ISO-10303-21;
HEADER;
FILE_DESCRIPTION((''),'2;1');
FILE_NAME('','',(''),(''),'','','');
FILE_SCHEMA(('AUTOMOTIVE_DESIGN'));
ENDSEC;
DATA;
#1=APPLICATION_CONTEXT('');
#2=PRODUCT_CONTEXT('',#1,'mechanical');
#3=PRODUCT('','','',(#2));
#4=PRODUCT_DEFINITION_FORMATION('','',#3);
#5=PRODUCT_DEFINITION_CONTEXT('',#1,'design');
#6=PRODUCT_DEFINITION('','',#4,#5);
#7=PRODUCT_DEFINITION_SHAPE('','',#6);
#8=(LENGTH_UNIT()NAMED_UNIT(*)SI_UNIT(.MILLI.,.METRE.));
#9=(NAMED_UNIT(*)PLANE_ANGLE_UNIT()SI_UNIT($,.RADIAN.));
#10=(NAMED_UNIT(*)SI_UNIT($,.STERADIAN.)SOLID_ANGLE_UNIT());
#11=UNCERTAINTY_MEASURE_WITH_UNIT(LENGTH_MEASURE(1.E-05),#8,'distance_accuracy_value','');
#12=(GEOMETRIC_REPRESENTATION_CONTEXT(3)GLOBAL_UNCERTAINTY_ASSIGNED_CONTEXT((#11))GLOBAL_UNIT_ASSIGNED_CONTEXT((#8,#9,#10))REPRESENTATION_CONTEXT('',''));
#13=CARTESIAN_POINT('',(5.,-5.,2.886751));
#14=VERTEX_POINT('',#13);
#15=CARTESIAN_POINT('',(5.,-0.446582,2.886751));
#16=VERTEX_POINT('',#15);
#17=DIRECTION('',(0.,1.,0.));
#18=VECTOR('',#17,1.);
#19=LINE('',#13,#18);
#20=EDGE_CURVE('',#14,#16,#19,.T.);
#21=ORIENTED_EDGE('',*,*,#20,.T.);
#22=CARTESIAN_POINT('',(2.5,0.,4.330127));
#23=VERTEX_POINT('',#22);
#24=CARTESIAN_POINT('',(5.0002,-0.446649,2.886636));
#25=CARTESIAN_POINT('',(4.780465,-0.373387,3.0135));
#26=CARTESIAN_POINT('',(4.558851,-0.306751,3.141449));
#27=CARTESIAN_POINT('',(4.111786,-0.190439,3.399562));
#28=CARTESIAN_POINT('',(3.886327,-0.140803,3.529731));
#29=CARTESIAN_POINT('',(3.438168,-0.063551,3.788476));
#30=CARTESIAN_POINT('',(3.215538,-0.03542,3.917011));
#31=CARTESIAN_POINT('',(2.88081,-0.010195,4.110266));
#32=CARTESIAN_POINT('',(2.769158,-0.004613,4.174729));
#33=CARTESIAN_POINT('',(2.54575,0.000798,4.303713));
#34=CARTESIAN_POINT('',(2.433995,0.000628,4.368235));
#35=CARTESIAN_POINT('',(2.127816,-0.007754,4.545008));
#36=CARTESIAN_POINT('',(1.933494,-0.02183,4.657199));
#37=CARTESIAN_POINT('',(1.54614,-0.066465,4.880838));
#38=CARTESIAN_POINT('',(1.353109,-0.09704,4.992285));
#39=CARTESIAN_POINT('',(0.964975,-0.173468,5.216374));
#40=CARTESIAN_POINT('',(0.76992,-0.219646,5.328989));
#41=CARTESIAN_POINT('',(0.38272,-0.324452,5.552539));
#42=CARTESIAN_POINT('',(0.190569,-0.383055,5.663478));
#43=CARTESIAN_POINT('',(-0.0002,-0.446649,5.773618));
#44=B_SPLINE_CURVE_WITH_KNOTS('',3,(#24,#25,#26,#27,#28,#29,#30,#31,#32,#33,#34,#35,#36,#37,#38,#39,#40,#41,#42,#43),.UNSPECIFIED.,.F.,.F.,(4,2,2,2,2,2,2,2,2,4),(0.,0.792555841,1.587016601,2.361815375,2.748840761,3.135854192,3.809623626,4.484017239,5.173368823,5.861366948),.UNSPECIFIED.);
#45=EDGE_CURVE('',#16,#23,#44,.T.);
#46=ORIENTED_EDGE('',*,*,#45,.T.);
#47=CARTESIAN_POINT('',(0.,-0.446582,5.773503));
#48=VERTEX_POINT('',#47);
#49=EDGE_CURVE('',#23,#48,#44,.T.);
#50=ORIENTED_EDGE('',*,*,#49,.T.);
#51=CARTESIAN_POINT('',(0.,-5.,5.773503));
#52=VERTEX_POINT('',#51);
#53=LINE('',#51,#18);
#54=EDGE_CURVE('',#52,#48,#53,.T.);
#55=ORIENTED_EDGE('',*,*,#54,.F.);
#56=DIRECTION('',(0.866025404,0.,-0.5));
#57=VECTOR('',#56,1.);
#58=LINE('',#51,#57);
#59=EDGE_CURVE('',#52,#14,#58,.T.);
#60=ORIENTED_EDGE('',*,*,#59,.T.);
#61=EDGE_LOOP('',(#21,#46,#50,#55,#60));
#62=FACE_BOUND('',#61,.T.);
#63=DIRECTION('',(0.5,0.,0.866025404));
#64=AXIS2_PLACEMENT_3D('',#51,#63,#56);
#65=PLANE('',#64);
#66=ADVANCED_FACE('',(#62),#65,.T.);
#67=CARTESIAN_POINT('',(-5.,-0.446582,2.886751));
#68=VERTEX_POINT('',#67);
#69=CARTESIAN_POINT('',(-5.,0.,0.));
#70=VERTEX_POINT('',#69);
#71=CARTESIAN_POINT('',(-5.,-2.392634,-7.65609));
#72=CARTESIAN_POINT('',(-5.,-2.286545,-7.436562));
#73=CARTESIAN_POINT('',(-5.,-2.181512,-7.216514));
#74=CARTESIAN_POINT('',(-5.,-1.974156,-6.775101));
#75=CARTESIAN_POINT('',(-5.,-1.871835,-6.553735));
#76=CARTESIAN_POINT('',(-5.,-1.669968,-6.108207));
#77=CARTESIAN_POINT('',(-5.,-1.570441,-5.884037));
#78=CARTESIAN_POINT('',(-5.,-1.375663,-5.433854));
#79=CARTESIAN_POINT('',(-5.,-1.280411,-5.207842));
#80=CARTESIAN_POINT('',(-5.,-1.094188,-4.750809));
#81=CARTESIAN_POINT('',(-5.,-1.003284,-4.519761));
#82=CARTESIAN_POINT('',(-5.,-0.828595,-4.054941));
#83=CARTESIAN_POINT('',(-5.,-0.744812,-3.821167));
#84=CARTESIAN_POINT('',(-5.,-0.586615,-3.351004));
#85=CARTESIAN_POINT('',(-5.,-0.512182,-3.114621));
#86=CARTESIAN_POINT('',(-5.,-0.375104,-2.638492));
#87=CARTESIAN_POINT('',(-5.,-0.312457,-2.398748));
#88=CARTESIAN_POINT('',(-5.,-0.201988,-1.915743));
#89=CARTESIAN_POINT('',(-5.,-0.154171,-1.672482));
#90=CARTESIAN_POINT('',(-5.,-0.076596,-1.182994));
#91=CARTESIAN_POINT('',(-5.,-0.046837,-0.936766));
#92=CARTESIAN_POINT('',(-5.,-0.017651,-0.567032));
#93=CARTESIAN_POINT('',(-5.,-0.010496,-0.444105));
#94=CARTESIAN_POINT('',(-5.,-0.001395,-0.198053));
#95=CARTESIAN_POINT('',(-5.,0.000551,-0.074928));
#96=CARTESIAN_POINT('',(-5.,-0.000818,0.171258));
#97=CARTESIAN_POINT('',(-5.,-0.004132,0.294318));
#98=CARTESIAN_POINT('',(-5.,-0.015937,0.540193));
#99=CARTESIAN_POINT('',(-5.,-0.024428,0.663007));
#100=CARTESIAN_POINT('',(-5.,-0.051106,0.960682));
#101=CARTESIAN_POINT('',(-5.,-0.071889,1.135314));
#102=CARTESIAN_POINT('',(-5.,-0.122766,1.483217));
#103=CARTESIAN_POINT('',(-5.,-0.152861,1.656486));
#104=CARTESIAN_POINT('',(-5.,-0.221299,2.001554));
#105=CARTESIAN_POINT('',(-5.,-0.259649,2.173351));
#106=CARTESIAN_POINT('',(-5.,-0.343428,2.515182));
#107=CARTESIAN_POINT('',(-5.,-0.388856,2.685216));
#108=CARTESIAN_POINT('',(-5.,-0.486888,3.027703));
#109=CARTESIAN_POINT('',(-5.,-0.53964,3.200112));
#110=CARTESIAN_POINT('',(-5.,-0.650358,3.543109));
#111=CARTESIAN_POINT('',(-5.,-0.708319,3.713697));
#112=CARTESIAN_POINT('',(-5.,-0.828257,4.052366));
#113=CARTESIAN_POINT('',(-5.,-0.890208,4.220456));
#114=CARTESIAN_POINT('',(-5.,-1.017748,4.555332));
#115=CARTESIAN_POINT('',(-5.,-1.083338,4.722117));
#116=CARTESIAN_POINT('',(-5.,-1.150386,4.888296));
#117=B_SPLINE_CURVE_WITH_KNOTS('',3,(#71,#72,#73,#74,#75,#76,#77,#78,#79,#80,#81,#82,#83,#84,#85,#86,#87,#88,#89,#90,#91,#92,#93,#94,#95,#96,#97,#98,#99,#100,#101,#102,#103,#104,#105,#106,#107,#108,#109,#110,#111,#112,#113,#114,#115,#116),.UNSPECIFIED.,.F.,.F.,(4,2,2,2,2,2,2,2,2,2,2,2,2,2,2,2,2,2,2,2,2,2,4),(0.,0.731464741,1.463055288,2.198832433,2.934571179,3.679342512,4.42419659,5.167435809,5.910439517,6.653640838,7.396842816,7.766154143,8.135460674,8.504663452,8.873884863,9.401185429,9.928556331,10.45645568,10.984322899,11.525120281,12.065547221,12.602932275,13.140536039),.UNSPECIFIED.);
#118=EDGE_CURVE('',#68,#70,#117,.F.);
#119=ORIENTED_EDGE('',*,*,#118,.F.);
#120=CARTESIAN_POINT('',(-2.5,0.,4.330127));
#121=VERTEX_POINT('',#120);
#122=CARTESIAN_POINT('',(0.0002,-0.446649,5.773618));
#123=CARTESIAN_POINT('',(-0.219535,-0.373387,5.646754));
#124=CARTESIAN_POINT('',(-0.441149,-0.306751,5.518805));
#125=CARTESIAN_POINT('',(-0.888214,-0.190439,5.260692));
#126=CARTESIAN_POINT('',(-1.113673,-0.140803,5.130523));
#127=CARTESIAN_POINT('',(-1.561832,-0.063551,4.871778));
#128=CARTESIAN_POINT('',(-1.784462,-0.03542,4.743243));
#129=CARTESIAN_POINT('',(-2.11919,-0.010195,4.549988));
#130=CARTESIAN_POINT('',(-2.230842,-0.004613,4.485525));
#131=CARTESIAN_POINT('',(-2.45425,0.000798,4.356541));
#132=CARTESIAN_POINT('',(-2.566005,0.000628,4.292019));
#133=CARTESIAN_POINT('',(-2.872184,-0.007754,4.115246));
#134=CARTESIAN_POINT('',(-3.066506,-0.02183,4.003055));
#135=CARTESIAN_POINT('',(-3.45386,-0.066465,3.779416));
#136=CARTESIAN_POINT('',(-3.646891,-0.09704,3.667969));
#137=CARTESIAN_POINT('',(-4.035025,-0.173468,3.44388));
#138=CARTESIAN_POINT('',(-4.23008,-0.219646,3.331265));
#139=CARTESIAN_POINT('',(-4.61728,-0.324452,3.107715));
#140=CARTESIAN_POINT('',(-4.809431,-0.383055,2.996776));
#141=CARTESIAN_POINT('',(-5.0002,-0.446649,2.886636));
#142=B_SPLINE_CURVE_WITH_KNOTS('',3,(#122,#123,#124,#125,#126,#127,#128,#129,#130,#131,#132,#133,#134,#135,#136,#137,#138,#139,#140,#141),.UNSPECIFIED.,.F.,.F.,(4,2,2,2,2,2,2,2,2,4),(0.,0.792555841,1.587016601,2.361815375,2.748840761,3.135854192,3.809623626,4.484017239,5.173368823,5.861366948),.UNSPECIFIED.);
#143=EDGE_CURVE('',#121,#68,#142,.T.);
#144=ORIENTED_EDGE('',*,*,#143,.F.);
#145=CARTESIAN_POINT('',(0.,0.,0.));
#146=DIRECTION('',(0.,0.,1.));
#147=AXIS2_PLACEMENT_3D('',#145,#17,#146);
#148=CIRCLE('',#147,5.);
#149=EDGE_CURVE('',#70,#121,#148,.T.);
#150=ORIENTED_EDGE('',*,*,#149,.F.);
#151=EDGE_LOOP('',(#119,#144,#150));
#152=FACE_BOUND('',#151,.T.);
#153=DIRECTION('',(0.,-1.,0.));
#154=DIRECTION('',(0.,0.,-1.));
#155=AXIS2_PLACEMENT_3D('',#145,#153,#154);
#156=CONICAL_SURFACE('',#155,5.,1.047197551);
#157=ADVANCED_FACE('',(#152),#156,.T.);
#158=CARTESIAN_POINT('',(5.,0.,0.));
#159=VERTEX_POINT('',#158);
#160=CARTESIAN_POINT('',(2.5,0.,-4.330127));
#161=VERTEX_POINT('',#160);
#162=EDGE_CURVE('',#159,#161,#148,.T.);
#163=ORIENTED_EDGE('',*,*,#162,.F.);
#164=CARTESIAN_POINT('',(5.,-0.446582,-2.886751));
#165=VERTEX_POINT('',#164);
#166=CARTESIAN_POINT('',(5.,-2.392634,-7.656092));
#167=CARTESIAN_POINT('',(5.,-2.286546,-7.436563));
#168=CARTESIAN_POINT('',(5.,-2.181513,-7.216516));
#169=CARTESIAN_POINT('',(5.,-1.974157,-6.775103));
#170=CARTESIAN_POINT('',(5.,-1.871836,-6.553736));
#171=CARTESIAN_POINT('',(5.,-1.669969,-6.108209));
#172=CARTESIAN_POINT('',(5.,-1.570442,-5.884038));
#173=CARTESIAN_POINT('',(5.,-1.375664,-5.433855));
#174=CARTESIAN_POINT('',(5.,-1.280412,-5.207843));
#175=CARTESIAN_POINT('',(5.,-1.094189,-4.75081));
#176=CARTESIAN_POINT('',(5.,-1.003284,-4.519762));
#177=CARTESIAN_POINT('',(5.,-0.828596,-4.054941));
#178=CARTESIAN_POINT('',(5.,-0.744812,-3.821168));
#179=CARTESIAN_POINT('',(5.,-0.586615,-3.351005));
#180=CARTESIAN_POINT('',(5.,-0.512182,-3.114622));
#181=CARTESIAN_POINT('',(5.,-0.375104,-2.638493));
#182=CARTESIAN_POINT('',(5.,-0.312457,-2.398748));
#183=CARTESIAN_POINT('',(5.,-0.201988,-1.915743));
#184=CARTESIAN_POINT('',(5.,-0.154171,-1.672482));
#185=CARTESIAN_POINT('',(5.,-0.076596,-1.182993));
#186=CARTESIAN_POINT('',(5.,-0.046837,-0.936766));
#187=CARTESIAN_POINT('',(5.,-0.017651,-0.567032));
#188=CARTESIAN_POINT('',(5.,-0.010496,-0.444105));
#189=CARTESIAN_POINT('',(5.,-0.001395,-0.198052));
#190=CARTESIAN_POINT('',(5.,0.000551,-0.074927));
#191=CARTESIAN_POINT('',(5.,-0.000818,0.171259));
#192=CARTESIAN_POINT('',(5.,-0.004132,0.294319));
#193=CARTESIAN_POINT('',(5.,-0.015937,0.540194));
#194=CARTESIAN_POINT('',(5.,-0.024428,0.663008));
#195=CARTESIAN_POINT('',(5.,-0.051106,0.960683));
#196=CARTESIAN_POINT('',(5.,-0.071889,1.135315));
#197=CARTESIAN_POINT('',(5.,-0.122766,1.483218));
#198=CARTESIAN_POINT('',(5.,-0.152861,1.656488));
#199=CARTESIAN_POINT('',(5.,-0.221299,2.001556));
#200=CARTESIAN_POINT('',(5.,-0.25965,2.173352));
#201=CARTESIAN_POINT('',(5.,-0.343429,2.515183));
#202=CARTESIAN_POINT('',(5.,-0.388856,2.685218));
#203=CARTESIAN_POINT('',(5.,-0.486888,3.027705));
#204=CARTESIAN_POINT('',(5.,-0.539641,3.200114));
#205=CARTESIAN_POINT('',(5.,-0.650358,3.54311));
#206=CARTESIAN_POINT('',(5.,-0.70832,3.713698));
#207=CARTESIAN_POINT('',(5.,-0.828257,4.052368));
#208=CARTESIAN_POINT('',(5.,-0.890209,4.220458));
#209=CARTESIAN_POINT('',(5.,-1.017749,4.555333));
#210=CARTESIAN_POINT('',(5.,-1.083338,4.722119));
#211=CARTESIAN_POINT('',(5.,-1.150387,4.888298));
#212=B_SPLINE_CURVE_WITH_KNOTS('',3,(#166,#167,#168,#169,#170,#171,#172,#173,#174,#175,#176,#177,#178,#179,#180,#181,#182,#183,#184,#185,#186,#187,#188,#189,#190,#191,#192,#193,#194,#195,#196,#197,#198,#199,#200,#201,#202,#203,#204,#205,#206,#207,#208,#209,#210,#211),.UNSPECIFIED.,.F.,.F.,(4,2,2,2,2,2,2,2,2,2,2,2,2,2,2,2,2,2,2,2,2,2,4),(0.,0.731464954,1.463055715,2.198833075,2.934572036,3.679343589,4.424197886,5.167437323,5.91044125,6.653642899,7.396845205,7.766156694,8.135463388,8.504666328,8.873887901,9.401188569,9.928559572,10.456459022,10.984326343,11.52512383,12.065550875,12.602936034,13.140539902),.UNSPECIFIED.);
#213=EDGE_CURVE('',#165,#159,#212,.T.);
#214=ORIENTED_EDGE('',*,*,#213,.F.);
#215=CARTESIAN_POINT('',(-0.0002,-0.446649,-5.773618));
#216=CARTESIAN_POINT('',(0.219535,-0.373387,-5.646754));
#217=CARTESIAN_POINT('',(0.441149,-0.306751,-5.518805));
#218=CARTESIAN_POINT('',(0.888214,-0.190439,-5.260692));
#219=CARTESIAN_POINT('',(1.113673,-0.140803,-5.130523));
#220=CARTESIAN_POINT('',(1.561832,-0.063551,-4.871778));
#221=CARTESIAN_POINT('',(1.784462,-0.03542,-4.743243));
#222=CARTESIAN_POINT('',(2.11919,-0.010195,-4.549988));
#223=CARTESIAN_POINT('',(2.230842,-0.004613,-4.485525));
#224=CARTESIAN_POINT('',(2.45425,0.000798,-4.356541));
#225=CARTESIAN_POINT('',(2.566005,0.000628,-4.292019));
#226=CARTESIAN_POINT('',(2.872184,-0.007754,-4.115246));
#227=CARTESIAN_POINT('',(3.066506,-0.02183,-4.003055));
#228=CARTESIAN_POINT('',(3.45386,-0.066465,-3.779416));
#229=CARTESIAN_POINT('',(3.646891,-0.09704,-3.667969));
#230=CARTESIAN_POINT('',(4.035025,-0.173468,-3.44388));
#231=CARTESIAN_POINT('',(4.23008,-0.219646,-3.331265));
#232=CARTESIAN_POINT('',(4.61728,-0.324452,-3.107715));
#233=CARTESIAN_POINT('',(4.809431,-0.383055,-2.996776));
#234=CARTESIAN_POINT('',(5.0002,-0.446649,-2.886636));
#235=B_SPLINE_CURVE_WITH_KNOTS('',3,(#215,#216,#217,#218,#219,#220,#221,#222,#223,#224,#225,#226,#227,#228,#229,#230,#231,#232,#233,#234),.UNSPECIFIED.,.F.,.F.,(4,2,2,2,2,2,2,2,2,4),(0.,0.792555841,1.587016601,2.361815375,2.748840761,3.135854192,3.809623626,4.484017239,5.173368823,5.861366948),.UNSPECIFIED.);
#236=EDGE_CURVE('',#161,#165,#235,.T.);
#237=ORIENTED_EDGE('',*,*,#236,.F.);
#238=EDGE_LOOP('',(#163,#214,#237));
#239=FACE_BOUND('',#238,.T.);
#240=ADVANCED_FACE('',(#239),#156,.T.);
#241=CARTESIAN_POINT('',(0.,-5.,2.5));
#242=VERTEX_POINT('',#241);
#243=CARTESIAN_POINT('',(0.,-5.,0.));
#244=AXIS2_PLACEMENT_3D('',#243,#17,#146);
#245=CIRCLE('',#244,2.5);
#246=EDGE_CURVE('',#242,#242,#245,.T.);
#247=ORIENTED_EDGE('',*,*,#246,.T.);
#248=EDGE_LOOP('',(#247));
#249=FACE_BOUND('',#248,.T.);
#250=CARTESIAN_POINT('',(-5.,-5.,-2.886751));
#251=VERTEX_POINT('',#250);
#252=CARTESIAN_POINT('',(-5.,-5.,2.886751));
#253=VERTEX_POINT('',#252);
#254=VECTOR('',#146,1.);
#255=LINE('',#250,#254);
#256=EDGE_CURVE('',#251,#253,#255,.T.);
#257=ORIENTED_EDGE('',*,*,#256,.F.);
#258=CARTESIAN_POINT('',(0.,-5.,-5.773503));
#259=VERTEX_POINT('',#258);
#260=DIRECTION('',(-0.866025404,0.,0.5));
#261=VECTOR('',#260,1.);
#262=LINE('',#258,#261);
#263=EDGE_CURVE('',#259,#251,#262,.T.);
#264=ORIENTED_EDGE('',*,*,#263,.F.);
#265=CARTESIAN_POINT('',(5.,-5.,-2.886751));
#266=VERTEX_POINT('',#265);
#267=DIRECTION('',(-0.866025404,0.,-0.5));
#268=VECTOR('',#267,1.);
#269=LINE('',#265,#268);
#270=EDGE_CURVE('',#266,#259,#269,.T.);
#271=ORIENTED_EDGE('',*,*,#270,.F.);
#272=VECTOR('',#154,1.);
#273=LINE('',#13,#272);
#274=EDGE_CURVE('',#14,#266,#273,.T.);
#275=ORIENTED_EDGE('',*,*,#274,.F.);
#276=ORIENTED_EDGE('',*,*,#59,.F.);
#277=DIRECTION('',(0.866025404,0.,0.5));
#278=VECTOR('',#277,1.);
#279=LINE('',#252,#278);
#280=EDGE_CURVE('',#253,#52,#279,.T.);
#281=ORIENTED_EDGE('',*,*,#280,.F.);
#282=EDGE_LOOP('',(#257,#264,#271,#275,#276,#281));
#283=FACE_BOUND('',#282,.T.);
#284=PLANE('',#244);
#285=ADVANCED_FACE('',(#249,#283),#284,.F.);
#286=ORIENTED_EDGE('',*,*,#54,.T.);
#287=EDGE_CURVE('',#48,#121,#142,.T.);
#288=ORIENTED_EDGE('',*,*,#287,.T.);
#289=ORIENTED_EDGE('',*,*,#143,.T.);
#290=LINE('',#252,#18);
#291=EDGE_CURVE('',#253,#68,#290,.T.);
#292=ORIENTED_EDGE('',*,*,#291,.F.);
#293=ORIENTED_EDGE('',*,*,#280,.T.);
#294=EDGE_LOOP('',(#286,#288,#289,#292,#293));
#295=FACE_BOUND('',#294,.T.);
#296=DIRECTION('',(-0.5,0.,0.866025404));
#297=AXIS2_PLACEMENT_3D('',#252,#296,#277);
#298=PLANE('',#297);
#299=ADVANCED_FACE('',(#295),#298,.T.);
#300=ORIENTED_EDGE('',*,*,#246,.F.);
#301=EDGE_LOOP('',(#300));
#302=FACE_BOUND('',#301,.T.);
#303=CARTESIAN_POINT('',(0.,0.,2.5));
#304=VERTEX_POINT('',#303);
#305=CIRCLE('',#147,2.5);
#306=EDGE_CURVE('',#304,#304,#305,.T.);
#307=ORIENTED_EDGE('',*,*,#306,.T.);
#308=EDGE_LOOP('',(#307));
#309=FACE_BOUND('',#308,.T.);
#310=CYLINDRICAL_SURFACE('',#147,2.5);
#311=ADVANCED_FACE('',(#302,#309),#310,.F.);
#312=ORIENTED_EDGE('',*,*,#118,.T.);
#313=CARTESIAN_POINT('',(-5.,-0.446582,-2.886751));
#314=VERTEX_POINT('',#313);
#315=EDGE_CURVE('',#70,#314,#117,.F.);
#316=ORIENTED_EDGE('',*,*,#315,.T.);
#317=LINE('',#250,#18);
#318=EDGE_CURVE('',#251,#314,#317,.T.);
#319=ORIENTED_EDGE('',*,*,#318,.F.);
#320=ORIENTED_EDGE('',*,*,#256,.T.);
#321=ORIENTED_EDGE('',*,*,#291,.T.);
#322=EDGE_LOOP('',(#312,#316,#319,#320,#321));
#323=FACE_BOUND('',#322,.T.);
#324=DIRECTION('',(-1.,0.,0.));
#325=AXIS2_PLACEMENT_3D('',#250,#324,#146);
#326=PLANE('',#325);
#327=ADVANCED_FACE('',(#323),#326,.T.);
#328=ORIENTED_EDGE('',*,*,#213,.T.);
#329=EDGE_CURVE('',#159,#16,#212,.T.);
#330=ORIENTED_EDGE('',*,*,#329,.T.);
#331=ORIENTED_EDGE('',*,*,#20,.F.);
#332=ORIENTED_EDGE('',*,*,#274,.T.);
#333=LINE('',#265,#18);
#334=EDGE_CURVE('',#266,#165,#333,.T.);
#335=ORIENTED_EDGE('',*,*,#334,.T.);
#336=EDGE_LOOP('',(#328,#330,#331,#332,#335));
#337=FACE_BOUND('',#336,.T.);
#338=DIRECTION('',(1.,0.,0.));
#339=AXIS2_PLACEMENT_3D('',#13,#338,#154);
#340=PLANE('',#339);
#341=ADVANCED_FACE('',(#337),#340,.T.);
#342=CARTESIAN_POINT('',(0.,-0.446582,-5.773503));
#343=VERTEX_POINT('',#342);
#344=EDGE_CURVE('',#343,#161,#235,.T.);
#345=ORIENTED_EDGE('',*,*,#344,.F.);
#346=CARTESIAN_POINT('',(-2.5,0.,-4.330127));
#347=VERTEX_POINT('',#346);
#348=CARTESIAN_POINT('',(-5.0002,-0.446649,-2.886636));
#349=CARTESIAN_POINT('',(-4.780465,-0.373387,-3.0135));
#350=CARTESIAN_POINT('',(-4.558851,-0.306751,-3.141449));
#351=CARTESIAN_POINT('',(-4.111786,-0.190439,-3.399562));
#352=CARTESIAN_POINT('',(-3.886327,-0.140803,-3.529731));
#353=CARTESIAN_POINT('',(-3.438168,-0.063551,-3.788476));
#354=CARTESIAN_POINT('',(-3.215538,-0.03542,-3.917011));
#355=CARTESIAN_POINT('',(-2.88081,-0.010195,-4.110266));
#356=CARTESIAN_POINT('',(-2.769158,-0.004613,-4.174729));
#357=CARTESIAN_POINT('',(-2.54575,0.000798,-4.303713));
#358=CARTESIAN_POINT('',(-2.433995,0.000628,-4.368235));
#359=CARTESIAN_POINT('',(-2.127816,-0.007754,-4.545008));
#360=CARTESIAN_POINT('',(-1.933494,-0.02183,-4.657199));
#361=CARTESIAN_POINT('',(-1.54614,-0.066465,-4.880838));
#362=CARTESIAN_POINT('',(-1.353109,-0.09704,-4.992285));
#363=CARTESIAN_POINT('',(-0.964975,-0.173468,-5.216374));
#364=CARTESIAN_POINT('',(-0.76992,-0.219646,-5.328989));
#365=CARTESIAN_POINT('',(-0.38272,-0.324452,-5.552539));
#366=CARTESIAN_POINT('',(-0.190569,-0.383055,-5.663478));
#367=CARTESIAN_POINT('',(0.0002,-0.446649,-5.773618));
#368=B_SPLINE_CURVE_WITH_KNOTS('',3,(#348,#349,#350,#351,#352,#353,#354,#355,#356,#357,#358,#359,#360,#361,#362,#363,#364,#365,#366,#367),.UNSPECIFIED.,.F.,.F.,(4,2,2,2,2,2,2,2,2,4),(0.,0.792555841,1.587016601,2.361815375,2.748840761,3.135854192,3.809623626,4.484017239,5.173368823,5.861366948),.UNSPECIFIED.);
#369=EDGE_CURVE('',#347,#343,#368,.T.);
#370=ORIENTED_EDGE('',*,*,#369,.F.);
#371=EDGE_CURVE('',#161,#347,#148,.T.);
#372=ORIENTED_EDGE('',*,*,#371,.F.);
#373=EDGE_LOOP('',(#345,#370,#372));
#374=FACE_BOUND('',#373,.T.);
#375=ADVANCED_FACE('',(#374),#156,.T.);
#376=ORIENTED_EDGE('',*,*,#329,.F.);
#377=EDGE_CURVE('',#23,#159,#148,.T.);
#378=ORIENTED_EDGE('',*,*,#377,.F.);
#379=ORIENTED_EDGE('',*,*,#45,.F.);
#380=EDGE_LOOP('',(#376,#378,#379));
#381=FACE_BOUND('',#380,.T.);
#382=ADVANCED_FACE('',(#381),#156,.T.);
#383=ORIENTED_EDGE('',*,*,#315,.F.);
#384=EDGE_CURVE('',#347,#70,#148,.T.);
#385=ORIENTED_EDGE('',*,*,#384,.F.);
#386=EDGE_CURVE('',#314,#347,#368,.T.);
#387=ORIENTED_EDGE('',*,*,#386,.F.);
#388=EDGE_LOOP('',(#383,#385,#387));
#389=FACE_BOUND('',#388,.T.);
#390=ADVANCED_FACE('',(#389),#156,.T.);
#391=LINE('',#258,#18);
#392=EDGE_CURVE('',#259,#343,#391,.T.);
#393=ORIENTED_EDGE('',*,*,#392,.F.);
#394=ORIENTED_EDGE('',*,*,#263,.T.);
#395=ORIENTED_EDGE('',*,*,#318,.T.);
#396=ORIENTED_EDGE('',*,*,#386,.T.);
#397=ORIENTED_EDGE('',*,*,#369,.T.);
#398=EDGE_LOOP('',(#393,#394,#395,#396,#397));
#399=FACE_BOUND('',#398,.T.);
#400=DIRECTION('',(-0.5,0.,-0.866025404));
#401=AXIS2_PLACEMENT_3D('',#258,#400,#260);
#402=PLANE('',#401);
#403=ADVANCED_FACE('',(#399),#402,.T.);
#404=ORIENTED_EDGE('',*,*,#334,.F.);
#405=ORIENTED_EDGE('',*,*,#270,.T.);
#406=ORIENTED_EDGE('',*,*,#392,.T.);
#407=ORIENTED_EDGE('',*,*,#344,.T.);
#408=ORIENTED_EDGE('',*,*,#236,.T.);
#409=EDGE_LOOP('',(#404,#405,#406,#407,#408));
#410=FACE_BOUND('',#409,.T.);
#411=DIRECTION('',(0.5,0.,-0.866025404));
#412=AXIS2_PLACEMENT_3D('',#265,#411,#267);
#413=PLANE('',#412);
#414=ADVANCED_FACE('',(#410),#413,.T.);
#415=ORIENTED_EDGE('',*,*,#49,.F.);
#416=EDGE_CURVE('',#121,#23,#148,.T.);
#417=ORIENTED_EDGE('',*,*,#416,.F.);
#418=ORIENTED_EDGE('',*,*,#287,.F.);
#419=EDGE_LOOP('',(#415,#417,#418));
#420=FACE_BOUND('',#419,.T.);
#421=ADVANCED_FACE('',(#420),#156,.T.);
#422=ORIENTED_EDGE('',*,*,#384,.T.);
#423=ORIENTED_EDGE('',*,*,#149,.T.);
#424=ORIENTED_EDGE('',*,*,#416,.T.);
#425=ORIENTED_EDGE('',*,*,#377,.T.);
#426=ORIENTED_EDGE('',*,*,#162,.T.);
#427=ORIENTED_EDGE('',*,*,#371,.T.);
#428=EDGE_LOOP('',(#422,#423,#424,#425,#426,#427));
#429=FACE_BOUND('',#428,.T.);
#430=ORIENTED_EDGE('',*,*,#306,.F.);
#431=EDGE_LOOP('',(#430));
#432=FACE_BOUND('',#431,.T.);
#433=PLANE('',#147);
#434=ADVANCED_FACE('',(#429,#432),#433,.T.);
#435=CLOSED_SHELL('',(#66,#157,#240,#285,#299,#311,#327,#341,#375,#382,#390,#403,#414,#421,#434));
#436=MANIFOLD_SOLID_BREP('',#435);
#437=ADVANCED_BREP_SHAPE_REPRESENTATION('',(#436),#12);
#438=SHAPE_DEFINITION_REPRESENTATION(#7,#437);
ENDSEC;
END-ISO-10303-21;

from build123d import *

# Parameters (mm, degrees)
BOSS_EXTRUDE1_DEPTH = 5
TAPPED_HOLE1_D      = 5


with BuildPart() as part:
    # Sketch1 → Boss-Extrude1 (new body)
    with BuildSketch(Plane(origin=(0, 0, 0), x_dir=(1, 0, 0), z_dir=(0, 1, 0))):
        Polygon((0, 5.773502692), (-5, 2.886751346), (-5, -2.886751346), (0, -5.773502692), (5, -2.886751346), (5, 2.886751346), align=None)
    extrude(amount=-BOSS_EXTRUDE1_DEPTH)

    # Sketch2 → Cut-Revolve1 (revolve, cut)
    with BuildSketch(Plane(origin=(0, 0, 0), x_dir=(0, 0, -1), z_dir=(1, 0, 0))):
        Polygon((5, 0), (5.773502692, 0), (5.773502692, -0.446581987), align=None)
    revolve(axis=Axis((0, 0, 0), (0, -1, 0)), mode=Mode.SUBTRACT)

    # Tapped Hole1 (through all)
    with Locations(Plane(origin=(0, 0, 0), x_dir=(1, 0, 0), z_dir=(0, 1, 0))):
        with Locations((0, 0)):
            Hole(TAPPED_HOLE1_D / 2)


solid = part.part
